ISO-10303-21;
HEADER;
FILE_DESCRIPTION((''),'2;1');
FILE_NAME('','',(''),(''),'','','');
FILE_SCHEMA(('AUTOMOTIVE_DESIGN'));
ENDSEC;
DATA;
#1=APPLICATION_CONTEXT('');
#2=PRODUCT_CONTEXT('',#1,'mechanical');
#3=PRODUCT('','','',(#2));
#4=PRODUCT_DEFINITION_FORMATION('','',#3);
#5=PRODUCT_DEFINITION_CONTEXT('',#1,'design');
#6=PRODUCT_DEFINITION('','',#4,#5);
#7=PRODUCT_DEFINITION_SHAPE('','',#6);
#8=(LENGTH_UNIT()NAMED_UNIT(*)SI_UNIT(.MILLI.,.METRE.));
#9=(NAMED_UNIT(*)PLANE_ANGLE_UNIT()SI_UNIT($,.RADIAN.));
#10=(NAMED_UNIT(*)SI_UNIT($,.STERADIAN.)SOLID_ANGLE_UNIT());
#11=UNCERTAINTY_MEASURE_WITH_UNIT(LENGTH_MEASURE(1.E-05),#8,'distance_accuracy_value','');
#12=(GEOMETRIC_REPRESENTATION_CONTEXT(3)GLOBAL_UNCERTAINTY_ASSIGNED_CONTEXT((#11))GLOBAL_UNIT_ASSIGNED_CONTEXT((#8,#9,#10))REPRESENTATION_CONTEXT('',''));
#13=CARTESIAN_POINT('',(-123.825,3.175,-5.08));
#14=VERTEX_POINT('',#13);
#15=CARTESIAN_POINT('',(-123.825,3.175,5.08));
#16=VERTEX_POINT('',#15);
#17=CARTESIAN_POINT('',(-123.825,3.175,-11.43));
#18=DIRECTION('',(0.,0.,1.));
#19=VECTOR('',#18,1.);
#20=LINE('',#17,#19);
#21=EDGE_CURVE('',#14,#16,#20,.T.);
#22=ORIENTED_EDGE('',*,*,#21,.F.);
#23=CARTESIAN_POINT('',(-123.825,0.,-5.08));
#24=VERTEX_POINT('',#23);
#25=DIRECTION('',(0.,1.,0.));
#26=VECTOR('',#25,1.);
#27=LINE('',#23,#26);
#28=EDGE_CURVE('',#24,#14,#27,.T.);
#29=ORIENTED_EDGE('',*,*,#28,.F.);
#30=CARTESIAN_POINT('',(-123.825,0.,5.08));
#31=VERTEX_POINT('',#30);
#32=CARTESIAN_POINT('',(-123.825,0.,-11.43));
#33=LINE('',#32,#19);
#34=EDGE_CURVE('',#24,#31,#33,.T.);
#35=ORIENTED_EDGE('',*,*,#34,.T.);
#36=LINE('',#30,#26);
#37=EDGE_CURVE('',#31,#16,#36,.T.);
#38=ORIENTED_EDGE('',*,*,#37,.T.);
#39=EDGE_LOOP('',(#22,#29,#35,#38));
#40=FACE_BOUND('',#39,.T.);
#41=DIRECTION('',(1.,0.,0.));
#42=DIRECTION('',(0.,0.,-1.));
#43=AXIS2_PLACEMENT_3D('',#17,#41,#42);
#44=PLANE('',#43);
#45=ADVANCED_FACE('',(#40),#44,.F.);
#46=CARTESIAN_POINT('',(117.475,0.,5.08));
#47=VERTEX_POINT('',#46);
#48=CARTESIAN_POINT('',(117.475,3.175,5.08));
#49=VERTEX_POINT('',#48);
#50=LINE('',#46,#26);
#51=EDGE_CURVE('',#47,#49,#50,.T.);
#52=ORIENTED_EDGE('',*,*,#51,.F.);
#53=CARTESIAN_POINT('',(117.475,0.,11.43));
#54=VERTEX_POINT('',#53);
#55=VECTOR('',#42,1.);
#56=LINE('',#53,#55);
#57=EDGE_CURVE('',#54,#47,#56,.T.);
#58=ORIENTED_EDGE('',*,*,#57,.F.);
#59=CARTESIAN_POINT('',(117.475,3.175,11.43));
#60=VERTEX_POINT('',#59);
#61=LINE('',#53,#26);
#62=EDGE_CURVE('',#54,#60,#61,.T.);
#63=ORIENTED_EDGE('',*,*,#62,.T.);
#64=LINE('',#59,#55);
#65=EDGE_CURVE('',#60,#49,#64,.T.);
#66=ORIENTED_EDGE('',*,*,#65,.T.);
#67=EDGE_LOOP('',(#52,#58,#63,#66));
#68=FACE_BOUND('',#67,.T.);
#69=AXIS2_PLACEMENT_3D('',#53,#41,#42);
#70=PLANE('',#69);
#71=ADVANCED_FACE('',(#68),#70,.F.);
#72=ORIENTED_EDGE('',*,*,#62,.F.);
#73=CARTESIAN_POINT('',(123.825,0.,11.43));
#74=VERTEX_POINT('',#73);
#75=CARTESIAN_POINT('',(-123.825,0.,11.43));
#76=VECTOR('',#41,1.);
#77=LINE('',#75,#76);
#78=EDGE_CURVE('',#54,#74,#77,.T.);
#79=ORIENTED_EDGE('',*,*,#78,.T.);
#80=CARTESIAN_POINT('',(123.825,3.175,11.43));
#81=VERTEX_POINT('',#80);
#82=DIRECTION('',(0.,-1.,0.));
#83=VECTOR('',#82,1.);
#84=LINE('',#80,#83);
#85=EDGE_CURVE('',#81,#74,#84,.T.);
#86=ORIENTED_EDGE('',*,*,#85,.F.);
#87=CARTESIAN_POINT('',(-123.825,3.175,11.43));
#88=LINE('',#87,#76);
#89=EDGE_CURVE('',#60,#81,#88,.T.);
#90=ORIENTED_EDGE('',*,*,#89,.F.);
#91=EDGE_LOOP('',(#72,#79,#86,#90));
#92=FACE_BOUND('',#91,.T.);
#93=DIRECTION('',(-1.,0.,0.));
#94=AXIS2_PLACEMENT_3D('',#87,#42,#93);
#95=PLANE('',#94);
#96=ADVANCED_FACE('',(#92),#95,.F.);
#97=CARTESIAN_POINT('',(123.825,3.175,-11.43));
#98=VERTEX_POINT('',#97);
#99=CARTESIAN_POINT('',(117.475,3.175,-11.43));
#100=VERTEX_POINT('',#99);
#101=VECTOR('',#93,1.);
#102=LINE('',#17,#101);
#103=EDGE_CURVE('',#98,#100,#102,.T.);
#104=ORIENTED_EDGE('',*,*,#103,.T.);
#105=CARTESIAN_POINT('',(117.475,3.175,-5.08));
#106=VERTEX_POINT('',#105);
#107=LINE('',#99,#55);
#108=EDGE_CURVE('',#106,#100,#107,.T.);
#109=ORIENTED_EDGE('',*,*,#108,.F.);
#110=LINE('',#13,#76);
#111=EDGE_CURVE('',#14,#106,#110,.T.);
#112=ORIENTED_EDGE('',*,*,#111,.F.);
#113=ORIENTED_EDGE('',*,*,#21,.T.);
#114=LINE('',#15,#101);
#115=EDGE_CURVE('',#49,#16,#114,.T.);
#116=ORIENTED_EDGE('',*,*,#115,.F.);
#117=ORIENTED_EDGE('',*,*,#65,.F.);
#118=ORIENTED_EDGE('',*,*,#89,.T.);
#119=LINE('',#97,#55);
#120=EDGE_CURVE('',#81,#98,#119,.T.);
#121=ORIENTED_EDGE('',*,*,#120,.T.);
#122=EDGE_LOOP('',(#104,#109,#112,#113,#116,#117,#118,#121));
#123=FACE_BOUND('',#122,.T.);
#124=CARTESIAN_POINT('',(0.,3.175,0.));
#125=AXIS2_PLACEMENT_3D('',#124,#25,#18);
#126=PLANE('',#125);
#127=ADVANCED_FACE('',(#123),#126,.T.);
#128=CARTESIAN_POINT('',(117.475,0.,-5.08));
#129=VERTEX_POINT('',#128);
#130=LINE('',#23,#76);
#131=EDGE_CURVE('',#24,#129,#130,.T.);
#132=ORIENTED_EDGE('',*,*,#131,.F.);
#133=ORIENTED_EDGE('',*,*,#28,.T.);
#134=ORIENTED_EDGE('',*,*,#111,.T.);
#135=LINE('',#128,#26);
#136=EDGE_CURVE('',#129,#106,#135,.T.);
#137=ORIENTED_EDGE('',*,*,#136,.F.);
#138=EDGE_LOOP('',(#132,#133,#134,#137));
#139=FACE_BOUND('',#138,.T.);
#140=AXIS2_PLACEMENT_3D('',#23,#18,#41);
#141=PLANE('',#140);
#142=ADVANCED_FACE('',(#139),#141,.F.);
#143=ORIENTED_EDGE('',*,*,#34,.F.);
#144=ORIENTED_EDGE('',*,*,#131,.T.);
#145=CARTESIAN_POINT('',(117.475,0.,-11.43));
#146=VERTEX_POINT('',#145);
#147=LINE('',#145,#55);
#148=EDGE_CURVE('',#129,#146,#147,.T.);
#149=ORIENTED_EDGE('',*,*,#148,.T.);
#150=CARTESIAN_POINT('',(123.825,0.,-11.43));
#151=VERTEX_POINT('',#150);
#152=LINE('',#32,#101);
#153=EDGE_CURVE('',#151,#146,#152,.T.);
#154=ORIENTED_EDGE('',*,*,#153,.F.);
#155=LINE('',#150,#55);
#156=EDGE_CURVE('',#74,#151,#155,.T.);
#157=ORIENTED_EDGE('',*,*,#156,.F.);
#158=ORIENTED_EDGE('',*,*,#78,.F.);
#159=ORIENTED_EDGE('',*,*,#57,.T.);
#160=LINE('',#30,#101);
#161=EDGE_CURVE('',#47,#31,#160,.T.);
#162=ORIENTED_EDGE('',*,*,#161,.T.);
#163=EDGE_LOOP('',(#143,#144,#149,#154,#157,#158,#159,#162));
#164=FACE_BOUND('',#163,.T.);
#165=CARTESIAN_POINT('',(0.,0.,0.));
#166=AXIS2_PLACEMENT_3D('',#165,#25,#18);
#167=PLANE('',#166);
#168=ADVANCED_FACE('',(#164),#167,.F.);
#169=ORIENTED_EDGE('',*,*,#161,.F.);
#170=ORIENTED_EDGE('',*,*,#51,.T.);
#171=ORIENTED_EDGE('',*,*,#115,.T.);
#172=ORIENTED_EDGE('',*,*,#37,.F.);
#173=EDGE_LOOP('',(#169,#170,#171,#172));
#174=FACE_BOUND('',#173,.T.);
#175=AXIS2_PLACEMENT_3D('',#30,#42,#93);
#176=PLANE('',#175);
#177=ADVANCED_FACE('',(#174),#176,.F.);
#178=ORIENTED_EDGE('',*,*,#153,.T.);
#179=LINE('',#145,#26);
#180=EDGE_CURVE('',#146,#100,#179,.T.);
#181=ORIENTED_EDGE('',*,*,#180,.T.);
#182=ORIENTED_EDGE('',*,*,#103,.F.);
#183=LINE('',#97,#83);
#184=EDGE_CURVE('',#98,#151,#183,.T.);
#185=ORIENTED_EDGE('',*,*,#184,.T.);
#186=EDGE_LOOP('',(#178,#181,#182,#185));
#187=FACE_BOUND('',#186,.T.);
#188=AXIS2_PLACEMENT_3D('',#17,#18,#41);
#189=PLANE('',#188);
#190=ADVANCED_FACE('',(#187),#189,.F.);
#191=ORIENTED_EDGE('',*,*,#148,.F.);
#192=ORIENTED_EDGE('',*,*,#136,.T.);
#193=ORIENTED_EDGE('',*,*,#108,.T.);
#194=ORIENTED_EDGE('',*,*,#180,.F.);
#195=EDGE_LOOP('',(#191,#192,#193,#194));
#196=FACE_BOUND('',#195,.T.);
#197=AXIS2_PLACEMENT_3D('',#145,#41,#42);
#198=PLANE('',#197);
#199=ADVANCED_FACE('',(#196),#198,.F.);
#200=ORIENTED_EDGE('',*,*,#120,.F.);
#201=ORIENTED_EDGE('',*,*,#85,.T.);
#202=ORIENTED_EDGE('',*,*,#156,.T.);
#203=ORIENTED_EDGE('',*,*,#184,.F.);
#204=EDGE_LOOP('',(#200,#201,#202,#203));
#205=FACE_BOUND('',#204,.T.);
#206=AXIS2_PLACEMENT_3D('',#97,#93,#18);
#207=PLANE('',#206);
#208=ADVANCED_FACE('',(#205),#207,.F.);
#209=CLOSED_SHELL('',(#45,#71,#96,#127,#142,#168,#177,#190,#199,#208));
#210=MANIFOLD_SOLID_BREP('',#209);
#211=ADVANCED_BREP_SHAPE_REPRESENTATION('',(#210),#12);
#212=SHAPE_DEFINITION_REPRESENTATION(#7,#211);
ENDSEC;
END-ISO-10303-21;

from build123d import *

# Parameters (mm, degrees)
SKETCH1_W           = 247.65
SKETCH1_H           = 22.86
BOSS_EXTRUDE1_DEPTH = 3.175
SKETCH3_W           = 241.3
SKETCH3_H           = 6.35
CUT_EXTRUDE2_DEPTH  = 125.39194568


with BuildPart() as part:
    # Sketch1 → Boss-Extrude1 (new body)
    with BuildSketch(Plane(origin=(0, 0, 0), x_dir=(1, 0, 0), z_dir=(0, 1, 0))):
        Rectangle(SKETCH1_W, SKETCH1_H)
    extrude(amount=BOSS_EXTRUDE1_DEPTH)

    # Sketch3 → Cut-Extrude2 (cut, through all)
    with BuildSketch(Plane(origin=(0, 3.175, 0), x_dir=(1, 0, 0), z_dir=(0, 1, 0))):
        with Locations((-3.175, 8.255)):
            Rectangle(SKETCH3_W, SKETCH3_H)
        with Locations((-3.175, -8.255)):
            Rectangle(SKETCH3_W, SKETCH3_H)
    extrude(amount=-CUT_EXTRUDE2_DEPTH, mode=Mode.SUBTRACT)


solid = part.part
